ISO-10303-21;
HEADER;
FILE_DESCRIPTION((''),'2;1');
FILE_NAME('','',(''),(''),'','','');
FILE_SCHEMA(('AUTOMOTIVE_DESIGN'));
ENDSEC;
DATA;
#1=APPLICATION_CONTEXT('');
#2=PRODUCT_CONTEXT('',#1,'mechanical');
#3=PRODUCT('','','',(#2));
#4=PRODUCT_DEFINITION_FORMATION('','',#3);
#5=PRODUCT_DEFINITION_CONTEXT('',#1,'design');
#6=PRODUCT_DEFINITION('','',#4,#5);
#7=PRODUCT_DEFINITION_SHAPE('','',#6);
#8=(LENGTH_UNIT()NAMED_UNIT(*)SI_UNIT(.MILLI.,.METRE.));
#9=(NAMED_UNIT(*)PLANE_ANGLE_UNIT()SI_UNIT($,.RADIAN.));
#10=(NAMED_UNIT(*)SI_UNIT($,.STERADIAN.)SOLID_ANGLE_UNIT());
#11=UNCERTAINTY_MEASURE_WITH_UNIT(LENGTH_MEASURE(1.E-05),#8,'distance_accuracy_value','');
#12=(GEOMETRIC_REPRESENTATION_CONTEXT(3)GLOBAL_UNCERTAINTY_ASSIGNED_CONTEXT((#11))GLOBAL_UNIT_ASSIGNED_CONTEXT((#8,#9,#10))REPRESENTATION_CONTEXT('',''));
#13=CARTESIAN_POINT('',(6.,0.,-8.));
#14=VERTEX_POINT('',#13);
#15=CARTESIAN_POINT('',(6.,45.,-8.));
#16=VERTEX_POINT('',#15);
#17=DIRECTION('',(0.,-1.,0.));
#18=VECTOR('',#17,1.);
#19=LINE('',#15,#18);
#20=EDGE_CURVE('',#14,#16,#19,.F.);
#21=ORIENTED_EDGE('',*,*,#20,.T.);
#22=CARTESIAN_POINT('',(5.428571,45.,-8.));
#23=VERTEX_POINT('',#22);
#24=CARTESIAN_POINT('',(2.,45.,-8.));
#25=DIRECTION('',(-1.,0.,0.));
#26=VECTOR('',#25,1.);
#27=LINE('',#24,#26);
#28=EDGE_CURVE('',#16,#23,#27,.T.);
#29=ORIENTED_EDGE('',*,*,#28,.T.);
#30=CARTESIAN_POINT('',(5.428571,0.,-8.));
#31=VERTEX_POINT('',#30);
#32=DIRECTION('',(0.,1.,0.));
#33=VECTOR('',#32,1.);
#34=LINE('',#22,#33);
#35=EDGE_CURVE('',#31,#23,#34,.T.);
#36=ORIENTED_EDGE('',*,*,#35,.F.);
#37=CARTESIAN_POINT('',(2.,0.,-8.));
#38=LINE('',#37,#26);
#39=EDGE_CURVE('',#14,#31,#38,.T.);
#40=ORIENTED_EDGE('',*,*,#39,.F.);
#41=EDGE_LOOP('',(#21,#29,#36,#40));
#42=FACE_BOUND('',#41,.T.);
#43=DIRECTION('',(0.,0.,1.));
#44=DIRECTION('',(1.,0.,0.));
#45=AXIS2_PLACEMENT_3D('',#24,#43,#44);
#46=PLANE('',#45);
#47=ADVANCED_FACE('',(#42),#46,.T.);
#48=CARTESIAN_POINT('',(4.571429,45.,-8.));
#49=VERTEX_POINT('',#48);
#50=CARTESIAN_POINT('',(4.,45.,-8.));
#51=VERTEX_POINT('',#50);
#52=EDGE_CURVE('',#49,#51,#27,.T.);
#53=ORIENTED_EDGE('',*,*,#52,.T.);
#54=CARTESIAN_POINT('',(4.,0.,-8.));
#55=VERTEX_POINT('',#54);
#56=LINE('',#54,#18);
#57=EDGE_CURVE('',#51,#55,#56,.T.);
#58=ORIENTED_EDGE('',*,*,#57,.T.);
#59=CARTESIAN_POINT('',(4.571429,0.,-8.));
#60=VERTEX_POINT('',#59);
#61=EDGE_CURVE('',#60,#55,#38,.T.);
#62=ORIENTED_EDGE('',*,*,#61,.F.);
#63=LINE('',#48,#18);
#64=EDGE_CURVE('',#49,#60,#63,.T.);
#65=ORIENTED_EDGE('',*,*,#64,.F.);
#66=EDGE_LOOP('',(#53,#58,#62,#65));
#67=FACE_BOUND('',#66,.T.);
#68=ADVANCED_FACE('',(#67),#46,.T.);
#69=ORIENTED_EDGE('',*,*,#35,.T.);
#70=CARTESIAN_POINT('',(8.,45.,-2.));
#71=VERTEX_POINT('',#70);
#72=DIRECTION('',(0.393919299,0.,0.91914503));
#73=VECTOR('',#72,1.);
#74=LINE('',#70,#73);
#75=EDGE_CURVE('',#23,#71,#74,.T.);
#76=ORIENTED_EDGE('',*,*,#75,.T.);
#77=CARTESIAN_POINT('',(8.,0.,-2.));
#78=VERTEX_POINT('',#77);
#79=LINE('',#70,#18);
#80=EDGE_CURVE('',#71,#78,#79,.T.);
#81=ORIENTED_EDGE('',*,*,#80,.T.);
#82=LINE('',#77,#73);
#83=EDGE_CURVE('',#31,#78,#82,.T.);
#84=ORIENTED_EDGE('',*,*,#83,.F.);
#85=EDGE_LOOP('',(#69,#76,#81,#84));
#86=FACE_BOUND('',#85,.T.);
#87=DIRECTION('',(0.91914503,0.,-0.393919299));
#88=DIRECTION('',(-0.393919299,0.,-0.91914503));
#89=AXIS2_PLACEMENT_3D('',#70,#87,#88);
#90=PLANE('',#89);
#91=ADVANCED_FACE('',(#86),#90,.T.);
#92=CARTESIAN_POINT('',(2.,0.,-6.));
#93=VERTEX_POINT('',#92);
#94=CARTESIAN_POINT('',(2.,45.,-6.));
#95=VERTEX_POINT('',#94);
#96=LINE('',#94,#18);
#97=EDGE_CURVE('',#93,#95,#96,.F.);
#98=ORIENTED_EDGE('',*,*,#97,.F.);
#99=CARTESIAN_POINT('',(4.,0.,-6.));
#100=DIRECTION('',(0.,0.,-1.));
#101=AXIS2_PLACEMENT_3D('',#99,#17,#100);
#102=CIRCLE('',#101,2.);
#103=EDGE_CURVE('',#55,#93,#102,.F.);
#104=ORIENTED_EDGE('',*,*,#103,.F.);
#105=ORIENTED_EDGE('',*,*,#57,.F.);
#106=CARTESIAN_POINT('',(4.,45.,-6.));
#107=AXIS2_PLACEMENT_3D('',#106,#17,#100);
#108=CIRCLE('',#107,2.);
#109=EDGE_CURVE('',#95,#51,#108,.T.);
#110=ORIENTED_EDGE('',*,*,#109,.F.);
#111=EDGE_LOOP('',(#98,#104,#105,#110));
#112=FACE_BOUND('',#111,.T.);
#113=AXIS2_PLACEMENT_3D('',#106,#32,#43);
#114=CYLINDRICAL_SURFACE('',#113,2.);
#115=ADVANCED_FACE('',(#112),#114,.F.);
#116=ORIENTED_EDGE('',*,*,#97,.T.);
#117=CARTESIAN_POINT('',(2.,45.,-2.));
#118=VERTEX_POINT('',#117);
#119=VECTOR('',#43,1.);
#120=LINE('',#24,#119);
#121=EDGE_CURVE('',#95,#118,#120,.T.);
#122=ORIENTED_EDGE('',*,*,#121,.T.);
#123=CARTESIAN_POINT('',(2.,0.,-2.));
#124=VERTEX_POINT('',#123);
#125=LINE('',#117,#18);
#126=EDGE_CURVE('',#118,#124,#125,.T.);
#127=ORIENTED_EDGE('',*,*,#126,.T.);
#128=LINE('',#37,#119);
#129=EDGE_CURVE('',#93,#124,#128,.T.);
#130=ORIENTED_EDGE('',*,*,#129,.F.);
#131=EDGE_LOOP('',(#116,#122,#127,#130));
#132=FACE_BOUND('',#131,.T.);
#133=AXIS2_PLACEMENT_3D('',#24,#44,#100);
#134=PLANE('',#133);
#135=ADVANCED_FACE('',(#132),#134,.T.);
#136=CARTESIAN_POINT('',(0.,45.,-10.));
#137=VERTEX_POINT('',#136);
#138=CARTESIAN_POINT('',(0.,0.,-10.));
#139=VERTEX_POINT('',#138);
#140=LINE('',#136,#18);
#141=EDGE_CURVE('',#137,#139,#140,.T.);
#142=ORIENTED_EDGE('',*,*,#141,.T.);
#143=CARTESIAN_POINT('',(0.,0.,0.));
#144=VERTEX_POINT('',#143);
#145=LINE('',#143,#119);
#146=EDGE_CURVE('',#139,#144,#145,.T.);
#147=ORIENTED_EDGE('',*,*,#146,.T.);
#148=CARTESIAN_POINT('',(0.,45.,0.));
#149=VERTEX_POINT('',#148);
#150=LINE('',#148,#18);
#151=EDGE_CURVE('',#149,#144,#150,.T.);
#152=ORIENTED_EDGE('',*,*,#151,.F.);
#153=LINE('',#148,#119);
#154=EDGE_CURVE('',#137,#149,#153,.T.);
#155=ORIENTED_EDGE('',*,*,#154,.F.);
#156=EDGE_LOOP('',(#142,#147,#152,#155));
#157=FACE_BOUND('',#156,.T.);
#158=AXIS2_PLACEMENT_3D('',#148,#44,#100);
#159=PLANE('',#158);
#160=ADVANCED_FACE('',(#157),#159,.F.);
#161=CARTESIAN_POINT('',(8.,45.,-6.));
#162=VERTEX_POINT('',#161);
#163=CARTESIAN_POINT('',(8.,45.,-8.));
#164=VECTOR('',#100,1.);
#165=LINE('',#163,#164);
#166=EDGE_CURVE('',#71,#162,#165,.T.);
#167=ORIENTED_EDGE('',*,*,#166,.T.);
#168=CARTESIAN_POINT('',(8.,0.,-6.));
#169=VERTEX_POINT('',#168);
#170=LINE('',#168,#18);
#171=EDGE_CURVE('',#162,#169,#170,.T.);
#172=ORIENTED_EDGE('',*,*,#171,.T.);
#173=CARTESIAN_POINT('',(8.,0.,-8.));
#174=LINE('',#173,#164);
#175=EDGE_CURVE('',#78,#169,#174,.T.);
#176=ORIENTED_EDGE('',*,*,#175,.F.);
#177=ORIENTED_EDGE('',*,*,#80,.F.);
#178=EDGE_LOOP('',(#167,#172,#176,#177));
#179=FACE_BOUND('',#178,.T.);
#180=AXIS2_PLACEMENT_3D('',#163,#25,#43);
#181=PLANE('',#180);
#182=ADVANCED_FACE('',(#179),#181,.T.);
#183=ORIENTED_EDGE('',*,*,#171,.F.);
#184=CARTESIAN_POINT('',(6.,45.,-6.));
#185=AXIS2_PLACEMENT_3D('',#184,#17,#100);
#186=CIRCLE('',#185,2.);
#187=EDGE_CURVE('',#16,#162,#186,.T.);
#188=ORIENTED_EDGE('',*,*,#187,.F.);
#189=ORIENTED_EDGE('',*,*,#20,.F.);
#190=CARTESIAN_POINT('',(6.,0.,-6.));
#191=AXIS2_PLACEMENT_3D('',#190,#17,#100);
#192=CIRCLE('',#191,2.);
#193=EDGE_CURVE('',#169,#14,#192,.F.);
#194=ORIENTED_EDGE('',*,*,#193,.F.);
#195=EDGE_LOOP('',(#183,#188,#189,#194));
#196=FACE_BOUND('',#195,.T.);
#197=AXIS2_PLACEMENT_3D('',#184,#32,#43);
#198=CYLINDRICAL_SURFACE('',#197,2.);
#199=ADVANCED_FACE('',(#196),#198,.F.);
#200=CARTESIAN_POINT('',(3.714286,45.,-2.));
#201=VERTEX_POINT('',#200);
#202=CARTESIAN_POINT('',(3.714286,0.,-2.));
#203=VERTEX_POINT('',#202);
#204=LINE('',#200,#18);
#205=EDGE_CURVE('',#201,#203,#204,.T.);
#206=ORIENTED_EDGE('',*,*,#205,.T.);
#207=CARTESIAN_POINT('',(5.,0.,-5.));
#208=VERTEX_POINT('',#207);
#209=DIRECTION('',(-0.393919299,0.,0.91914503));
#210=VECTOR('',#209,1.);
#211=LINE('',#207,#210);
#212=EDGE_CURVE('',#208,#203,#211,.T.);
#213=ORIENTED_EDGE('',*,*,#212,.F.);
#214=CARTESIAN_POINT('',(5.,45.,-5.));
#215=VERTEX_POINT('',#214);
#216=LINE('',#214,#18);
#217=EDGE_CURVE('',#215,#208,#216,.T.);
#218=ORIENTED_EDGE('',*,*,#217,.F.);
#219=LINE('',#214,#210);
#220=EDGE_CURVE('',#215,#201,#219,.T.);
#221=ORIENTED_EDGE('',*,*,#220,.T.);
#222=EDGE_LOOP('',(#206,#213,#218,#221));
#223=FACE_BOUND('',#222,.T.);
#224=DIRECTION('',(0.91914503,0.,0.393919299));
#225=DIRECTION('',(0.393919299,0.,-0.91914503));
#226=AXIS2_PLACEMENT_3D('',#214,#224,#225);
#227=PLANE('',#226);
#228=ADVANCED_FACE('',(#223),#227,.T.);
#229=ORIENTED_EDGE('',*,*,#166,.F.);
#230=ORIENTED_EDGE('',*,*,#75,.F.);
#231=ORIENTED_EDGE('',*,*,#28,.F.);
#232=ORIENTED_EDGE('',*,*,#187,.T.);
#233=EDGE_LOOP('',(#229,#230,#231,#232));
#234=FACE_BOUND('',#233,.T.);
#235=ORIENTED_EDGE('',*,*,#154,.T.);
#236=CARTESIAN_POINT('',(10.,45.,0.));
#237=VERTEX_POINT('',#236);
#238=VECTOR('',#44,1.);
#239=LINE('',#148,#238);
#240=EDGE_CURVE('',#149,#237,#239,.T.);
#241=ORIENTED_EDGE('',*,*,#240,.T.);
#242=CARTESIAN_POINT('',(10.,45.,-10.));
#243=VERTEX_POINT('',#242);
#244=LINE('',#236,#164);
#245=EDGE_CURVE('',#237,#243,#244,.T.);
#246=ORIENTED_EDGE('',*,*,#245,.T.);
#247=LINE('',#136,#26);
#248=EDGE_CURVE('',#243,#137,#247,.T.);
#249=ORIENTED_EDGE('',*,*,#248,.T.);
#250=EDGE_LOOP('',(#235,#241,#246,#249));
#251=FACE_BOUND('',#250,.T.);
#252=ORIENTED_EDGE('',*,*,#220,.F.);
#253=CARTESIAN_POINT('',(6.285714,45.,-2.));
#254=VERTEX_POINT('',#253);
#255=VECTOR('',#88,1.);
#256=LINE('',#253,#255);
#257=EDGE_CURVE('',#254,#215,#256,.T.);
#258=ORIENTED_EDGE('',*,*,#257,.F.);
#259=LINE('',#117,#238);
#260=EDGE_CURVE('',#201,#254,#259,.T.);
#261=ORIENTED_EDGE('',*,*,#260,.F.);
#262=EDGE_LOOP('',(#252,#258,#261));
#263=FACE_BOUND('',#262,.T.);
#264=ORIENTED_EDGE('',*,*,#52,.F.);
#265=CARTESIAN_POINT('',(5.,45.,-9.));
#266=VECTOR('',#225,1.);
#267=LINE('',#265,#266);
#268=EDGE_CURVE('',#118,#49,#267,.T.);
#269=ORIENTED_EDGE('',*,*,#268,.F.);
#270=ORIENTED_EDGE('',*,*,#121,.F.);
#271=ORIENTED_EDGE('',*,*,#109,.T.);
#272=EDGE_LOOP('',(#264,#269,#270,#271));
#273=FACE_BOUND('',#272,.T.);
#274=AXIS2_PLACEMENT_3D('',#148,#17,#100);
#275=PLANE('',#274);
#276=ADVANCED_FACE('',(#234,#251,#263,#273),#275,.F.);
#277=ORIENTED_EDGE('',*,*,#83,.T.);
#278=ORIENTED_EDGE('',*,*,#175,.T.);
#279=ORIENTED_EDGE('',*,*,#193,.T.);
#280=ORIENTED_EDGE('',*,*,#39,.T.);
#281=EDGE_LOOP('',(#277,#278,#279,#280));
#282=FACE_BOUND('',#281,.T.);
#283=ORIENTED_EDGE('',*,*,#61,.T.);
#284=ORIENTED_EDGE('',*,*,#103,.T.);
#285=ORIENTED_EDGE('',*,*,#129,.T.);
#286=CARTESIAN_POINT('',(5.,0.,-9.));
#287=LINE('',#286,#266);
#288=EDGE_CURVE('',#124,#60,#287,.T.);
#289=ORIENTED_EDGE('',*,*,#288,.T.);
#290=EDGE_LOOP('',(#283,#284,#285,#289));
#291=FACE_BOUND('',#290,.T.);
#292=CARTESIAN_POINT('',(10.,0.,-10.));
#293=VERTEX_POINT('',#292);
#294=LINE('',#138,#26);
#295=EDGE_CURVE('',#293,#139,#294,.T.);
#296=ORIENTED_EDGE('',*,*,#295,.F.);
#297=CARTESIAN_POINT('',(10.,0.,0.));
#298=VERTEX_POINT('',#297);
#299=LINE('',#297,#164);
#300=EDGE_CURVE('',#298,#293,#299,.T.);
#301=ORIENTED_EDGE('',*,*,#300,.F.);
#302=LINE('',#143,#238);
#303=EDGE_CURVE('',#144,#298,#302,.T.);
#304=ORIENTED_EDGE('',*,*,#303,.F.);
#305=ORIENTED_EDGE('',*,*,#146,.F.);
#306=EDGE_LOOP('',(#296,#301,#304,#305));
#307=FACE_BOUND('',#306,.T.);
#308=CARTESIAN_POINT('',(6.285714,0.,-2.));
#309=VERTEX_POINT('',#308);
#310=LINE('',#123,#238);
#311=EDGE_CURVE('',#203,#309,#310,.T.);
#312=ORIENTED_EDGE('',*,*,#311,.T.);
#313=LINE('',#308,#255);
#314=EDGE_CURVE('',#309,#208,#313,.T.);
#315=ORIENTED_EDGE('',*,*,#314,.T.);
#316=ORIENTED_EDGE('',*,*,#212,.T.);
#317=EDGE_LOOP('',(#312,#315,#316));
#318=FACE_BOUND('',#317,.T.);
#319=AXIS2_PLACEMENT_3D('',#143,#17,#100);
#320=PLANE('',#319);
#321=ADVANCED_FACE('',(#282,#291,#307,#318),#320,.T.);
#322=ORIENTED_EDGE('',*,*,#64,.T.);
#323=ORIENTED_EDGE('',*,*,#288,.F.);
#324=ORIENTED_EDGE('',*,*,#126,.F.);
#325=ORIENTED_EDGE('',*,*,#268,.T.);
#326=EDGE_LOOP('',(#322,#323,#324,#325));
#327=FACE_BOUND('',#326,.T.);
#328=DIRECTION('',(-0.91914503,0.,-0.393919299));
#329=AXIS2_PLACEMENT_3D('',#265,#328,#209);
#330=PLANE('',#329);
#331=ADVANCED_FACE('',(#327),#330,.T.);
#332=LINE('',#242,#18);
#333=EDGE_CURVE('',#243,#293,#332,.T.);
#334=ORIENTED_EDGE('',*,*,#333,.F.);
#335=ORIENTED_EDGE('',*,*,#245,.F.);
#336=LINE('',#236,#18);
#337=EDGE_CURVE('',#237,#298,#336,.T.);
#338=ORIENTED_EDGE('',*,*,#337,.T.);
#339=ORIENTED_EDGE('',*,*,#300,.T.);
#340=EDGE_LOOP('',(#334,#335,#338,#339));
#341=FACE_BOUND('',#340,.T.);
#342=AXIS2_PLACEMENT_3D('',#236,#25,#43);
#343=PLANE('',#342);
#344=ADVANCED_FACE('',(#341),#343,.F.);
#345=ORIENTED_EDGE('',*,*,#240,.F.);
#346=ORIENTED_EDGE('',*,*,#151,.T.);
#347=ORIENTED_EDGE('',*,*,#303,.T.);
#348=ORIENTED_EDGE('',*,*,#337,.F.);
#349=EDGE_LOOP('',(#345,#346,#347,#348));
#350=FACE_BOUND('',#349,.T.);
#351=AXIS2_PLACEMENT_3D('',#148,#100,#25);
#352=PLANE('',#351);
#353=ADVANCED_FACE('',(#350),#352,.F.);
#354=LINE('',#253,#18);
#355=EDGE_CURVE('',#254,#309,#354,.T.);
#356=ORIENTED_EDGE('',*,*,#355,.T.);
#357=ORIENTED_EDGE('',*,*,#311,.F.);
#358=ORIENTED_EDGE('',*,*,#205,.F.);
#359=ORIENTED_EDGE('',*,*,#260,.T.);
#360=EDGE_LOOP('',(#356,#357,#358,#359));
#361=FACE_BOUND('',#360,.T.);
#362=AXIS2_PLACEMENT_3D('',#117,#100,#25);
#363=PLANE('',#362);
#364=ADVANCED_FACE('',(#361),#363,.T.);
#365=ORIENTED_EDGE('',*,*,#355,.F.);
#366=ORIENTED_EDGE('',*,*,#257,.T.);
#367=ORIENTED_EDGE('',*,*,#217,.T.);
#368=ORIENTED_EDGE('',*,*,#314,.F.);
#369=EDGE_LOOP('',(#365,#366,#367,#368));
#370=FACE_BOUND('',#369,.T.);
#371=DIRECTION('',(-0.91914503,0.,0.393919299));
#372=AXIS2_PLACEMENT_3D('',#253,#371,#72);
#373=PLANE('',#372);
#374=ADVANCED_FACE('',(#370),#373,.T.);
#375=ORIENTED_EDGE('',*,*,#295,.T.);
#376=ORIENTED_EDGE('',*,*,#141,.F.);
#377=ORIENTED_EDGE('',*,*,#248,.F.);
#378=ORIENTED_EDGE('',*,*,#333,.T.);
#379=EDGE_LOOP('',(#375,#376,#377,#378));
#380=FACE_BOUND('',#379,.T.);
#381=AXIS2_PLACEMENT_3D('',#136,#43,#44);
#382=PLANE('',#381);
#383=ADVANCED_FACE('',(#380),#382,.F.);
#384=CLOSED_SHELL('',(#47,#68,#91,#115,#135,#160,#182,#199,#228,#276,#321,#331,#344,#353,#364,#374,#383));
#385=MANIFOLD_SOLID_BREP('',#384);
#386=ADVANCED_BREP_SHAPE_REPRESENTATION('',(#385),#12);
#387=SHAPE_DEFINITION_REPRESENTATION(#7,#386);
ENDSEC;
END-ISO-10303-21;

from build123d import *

# Parameters (mm, degrees)
SKETCH1_W           = 10
SKETCH1_H           = 10
SKETCH1_W_2         = 6
SKETCH1_H_2         = 6
BOSS_EXTRUDE1_DEPTH = 45
BOSS_EXTRUDE4_DEPTH = 45
FILLET2_R           = 2


with BuildPart() as part:
    # Sketch1 → Boss-Extrude1 (new body)
    with BuildSketch(Plane(origin=(0, 0, 0), x_dir=(1, 0, 0), z_dir=(0, 1, 0))):
        with Locations((5, 5)):
            Rectangle(SKETCH1_W, SKETCH1_H)
        with Locations((5, 5)):
            Rectangle(SKETCH1_W_2, SKETCH1_H_2, mode=Mode.SUBTRACT)
    extrude(amount=BOSS_EXTRUDE1_DEPTH)

    # Sketch3 → Boss-Extrude4 (add, through all)
    with BuildSketch(Plane.XZ):
        Polygon((8, -2), (5, -9), (2, -2), (3.714285714, -2), (5, -5), (6.285714286, -2), align=None)
    extrude(amount=-BOSS_EXTRUDE4_DEPTH)

    # Fillet2
    fillet2_edges = [part.edges().sort_by_distance(p)[0] for p in [
        (2, 22.5, -8),
        (8, 22.5, -8),
    ]]
    fillet(fillet2_edges, radius=FILLET2_R)


solid = part.part
